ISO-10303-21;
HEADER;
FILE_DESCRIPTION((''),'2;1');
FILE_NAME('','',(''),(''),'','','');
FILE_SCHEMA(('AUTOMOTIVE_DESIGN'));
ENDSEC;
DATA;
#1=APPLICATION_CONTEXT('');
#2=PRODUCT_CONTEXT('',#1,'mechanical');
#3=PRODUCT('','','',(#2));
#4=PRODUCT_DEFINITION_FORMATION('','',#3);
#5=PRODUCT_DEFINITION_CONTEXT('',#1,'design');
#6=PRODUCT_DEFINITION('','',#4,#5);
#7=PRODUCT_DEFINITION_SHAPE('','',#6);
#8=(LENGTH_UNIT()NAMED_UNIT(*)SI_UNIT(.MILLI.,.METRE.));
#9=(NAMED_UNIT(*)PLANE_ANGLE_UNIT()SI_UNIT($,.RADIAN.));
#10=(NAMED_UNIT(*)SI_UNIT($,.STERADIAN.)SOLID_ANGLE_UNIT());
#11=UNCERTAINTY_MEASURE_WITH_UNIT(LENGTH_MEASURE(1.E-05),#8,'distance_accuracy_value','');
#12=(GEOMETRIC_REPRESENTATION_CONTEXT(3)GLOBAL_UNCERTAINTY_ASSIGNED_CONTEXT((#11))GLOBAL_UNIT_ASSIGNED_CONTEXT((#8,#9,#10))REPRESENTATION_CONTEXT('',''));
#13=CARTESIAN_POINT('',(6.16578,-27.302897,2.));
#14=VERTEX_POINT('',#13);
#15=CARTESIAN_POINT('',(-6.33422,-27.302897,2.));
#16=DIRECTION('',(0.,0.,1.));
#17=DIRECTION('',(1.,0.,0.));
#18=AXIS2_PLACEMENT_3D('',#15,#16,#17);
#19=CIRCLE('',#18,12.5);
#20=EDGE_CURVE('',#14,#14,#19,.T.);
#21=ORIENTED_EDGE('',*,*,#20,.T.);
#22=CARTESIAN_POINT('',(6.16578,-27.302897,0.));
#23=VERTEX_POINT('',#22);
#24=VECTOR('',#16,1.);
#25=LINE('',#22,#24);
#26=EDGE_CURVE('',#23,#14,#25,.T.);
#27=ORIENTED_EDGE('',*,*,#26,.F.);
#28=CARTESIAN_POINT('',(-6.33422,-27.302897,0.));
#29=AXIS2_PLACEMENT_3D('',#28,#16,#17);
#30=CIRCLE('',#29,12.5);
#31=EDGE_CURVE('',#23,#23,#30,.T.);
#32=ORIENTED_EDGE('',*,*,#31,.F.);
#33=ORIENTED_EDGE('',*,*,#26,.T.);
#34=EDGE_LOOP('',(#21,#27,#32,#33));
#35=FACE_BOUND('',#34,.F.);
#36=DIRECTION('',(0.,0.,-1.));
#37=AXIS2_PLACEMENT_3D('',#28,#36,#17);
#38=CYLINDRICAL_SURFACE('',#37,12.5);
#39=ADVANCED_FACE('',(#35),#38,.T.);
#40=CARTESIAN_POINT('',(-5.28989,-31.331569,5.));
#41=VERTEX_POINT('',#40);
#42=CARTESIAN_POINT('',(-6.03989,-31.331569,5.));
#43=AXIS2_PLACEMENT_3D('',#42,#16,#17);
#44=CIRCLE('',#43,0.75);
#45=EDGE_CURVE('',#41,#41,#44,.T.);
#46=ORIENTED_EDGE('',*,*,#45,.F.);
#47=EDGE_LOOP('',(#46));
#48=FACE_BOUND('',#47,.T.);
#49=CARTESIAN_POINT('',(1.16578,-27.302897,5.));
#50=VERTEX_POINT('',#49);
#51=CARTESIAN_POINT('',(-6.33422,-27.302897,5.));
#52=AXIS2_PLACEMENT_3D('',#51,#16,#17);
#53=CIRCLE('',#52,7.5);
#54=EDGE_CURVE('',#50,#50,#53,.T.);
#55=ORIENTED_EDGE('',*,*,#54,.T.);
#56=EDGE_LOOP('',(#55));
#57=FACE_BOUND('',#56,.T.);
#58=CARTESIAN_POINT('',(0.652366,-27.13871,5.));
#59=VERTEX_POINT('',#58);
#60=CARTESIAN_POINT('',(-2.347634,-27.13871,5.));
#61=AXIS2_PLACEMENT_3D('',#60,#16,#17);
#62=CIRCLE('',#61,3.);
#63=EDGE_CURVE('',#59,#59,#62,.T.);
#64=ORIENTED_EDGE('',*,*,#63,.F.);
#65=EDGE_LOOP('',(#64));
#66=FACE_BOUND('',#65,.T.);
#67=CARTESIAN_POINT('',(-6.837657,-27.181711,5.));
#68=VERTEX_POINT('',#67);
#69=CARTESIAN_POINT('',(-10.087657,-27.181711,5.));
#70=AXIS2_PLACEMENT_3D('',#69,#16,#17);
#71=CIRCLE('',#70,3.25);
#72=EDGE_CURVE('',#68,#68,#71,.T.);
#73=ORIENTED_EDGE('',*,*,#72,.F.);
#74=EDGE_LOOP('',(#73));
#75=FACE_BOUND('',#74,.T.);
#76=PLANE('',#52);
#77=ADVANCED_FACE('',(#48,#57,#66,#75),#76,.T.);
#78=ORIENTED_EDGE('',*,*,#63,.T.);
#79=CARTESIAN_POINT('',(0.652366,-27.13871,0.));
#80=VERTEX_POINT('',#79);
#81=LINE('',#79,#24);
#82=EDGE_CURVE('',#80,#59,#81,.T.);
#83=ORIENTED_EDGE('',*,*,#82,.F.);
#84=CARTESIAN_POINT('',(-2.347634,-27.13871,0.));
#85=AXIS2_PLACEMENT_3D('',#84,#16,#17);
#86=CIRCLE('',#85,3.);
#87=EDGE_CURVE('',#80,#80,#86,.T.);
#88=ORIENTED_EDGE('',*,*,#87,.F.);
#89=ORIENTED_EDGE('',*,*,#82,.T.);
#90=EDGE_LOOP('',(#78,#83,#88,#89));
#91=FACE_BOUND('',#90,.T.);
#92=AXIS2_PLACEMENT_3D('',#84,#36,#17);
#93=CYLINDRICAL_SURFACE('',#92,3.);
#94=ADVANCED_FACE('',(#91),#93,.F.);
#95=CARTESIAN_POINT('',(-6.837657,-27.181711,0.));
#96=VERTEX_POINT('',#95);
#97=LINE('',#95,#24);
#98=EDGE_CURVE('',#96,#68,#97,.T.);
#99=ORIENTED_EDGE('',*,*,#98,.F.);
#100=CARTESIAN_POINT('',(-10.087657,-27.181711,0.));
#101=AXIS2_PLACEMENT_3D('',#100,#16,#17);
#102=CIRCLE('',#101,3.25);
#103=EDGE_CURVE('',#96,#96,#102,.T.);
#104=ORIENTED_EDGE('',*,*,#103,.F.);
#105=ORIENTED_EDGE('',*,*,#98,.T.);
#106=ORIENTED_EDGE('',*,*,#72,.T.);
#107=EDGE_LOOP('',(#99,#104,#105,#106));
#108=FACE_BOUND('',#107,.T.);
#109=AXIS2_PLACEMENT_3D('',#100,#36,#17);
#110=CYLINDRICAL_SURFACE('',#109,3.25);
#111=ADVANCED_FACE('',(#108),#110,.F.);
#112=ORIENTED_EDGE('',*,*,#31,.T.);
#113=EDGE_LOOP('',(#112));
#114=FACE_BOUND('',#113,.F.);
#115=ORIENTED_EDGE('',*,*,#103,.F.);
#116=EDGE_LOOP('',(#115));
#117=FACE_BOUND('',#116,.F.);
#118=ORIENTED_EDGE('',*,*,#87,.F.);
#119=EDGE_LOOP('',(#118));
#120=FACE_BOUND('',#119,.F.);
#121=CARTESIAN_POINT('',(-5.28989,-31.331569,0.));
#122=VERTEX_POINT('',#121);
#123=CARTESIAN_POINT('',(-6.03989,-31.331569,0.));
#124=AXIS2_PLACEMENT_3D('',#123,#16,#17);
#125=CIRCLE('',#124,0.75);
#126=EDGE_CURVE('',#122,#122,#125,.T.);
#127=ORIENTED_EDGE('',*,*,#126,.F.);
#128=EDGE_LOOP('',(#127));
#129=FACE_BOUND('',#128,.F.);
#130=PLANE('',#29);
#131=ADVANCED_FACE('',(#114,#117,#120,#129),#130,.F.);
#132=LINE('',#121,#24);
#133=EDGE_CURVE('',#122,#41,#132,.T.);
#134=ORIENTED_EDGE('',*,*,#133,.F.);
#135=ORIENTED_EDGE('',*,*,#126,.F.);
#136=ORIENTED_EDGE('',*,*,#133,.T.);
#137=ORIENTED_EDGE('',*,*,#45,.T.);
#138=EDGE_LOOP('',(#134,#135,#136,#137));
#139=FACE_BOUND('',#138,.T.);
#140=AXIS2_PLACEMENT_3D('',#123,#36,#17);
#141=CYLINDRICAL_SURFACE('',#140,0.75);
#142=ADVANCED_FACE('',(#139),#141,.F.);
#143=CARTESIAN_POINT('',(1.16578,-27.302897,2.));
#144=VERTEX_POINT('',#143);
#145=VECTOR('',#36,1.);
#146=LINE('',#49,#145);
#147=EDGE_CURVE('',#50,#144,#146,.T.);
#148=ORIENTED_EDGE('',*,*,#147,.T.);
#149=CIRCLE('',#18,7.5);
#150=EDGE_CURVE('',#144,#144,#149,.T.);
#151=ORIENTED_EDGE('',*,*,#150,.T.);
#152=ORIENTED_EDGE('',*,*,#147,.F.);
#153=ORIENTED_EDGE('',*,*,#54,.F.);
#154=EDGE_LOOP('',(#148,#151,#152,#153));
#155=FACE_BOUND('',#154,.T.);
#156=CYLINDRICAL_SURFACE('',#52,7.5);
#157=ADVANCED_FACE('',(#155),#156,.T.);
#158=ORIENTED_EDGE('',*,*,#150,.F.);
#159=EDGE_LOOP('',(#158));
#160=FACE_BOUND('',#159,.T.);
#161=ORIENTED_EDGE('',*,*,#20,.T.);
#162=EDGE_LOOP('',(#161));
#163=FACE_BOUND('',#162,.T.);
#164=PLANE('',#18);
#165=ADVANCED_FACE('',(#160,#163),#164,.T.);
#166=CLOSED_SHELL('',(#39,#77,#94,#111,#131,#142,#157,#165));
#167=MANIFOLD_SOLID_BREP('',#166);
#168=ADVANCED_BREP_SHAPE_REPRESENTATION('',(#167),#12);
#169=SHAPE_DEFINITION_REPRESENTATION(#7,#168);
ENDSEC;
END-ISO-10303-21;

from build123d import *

# Parameters (mm, degrees)
F0_R     = 12.5
F0_R_2   = 8
F0_R_3   = 0.75
F0_R_4   = 3.25
F0_R_5   = 3
F1_DEPTH = 5
F2_R     = 12.5
F2_R_2   = 7.5
F3_DEPTH = 3


with BuildPart() as f1:
    # F0 (on Top) → F1 (new body)
    with BuildSketch(Plane.XY):
        with Locations((-6.33422, -27.302897)):
            Circle(F0_R)
        with Locations((-6.33422, -27.302897)):
            Circle(F0_R_2, mode=Mode.SUBTRACT)
        with Locations((-6.33422, -27.302897)):
            Circle(F0_R_2)
        with Locations((-6.03989, -31.331569)):
            Circle(F0_R_3, mode=Mode.SUBTRACT)
        with Locations((-10.087657, -27.181711)):
            Circle(F0_R_4, mode=Mode.SUBTRACT)
        with Locations((-2.347634, -27.13871)):
            Circle(F0_R_5, mode=Mode.SUBTRACT)
    extrude(amount=F1_DEPTH)

    # F2 (on face) → F3 (cut)
    with BuildSketch(Plane.XY.offset(5)):
        with Locations((-6.33422, -27.302897)):
            Circle(F2_R)
        with Locations((-6.33422, -27.302897)):
            Circle(F2_R_2, mode=Mode.SUBTRACT)
    extrude(amount=-F3_DEPTH, mode=Mode.SUBTRACT)


solid = f1.part
